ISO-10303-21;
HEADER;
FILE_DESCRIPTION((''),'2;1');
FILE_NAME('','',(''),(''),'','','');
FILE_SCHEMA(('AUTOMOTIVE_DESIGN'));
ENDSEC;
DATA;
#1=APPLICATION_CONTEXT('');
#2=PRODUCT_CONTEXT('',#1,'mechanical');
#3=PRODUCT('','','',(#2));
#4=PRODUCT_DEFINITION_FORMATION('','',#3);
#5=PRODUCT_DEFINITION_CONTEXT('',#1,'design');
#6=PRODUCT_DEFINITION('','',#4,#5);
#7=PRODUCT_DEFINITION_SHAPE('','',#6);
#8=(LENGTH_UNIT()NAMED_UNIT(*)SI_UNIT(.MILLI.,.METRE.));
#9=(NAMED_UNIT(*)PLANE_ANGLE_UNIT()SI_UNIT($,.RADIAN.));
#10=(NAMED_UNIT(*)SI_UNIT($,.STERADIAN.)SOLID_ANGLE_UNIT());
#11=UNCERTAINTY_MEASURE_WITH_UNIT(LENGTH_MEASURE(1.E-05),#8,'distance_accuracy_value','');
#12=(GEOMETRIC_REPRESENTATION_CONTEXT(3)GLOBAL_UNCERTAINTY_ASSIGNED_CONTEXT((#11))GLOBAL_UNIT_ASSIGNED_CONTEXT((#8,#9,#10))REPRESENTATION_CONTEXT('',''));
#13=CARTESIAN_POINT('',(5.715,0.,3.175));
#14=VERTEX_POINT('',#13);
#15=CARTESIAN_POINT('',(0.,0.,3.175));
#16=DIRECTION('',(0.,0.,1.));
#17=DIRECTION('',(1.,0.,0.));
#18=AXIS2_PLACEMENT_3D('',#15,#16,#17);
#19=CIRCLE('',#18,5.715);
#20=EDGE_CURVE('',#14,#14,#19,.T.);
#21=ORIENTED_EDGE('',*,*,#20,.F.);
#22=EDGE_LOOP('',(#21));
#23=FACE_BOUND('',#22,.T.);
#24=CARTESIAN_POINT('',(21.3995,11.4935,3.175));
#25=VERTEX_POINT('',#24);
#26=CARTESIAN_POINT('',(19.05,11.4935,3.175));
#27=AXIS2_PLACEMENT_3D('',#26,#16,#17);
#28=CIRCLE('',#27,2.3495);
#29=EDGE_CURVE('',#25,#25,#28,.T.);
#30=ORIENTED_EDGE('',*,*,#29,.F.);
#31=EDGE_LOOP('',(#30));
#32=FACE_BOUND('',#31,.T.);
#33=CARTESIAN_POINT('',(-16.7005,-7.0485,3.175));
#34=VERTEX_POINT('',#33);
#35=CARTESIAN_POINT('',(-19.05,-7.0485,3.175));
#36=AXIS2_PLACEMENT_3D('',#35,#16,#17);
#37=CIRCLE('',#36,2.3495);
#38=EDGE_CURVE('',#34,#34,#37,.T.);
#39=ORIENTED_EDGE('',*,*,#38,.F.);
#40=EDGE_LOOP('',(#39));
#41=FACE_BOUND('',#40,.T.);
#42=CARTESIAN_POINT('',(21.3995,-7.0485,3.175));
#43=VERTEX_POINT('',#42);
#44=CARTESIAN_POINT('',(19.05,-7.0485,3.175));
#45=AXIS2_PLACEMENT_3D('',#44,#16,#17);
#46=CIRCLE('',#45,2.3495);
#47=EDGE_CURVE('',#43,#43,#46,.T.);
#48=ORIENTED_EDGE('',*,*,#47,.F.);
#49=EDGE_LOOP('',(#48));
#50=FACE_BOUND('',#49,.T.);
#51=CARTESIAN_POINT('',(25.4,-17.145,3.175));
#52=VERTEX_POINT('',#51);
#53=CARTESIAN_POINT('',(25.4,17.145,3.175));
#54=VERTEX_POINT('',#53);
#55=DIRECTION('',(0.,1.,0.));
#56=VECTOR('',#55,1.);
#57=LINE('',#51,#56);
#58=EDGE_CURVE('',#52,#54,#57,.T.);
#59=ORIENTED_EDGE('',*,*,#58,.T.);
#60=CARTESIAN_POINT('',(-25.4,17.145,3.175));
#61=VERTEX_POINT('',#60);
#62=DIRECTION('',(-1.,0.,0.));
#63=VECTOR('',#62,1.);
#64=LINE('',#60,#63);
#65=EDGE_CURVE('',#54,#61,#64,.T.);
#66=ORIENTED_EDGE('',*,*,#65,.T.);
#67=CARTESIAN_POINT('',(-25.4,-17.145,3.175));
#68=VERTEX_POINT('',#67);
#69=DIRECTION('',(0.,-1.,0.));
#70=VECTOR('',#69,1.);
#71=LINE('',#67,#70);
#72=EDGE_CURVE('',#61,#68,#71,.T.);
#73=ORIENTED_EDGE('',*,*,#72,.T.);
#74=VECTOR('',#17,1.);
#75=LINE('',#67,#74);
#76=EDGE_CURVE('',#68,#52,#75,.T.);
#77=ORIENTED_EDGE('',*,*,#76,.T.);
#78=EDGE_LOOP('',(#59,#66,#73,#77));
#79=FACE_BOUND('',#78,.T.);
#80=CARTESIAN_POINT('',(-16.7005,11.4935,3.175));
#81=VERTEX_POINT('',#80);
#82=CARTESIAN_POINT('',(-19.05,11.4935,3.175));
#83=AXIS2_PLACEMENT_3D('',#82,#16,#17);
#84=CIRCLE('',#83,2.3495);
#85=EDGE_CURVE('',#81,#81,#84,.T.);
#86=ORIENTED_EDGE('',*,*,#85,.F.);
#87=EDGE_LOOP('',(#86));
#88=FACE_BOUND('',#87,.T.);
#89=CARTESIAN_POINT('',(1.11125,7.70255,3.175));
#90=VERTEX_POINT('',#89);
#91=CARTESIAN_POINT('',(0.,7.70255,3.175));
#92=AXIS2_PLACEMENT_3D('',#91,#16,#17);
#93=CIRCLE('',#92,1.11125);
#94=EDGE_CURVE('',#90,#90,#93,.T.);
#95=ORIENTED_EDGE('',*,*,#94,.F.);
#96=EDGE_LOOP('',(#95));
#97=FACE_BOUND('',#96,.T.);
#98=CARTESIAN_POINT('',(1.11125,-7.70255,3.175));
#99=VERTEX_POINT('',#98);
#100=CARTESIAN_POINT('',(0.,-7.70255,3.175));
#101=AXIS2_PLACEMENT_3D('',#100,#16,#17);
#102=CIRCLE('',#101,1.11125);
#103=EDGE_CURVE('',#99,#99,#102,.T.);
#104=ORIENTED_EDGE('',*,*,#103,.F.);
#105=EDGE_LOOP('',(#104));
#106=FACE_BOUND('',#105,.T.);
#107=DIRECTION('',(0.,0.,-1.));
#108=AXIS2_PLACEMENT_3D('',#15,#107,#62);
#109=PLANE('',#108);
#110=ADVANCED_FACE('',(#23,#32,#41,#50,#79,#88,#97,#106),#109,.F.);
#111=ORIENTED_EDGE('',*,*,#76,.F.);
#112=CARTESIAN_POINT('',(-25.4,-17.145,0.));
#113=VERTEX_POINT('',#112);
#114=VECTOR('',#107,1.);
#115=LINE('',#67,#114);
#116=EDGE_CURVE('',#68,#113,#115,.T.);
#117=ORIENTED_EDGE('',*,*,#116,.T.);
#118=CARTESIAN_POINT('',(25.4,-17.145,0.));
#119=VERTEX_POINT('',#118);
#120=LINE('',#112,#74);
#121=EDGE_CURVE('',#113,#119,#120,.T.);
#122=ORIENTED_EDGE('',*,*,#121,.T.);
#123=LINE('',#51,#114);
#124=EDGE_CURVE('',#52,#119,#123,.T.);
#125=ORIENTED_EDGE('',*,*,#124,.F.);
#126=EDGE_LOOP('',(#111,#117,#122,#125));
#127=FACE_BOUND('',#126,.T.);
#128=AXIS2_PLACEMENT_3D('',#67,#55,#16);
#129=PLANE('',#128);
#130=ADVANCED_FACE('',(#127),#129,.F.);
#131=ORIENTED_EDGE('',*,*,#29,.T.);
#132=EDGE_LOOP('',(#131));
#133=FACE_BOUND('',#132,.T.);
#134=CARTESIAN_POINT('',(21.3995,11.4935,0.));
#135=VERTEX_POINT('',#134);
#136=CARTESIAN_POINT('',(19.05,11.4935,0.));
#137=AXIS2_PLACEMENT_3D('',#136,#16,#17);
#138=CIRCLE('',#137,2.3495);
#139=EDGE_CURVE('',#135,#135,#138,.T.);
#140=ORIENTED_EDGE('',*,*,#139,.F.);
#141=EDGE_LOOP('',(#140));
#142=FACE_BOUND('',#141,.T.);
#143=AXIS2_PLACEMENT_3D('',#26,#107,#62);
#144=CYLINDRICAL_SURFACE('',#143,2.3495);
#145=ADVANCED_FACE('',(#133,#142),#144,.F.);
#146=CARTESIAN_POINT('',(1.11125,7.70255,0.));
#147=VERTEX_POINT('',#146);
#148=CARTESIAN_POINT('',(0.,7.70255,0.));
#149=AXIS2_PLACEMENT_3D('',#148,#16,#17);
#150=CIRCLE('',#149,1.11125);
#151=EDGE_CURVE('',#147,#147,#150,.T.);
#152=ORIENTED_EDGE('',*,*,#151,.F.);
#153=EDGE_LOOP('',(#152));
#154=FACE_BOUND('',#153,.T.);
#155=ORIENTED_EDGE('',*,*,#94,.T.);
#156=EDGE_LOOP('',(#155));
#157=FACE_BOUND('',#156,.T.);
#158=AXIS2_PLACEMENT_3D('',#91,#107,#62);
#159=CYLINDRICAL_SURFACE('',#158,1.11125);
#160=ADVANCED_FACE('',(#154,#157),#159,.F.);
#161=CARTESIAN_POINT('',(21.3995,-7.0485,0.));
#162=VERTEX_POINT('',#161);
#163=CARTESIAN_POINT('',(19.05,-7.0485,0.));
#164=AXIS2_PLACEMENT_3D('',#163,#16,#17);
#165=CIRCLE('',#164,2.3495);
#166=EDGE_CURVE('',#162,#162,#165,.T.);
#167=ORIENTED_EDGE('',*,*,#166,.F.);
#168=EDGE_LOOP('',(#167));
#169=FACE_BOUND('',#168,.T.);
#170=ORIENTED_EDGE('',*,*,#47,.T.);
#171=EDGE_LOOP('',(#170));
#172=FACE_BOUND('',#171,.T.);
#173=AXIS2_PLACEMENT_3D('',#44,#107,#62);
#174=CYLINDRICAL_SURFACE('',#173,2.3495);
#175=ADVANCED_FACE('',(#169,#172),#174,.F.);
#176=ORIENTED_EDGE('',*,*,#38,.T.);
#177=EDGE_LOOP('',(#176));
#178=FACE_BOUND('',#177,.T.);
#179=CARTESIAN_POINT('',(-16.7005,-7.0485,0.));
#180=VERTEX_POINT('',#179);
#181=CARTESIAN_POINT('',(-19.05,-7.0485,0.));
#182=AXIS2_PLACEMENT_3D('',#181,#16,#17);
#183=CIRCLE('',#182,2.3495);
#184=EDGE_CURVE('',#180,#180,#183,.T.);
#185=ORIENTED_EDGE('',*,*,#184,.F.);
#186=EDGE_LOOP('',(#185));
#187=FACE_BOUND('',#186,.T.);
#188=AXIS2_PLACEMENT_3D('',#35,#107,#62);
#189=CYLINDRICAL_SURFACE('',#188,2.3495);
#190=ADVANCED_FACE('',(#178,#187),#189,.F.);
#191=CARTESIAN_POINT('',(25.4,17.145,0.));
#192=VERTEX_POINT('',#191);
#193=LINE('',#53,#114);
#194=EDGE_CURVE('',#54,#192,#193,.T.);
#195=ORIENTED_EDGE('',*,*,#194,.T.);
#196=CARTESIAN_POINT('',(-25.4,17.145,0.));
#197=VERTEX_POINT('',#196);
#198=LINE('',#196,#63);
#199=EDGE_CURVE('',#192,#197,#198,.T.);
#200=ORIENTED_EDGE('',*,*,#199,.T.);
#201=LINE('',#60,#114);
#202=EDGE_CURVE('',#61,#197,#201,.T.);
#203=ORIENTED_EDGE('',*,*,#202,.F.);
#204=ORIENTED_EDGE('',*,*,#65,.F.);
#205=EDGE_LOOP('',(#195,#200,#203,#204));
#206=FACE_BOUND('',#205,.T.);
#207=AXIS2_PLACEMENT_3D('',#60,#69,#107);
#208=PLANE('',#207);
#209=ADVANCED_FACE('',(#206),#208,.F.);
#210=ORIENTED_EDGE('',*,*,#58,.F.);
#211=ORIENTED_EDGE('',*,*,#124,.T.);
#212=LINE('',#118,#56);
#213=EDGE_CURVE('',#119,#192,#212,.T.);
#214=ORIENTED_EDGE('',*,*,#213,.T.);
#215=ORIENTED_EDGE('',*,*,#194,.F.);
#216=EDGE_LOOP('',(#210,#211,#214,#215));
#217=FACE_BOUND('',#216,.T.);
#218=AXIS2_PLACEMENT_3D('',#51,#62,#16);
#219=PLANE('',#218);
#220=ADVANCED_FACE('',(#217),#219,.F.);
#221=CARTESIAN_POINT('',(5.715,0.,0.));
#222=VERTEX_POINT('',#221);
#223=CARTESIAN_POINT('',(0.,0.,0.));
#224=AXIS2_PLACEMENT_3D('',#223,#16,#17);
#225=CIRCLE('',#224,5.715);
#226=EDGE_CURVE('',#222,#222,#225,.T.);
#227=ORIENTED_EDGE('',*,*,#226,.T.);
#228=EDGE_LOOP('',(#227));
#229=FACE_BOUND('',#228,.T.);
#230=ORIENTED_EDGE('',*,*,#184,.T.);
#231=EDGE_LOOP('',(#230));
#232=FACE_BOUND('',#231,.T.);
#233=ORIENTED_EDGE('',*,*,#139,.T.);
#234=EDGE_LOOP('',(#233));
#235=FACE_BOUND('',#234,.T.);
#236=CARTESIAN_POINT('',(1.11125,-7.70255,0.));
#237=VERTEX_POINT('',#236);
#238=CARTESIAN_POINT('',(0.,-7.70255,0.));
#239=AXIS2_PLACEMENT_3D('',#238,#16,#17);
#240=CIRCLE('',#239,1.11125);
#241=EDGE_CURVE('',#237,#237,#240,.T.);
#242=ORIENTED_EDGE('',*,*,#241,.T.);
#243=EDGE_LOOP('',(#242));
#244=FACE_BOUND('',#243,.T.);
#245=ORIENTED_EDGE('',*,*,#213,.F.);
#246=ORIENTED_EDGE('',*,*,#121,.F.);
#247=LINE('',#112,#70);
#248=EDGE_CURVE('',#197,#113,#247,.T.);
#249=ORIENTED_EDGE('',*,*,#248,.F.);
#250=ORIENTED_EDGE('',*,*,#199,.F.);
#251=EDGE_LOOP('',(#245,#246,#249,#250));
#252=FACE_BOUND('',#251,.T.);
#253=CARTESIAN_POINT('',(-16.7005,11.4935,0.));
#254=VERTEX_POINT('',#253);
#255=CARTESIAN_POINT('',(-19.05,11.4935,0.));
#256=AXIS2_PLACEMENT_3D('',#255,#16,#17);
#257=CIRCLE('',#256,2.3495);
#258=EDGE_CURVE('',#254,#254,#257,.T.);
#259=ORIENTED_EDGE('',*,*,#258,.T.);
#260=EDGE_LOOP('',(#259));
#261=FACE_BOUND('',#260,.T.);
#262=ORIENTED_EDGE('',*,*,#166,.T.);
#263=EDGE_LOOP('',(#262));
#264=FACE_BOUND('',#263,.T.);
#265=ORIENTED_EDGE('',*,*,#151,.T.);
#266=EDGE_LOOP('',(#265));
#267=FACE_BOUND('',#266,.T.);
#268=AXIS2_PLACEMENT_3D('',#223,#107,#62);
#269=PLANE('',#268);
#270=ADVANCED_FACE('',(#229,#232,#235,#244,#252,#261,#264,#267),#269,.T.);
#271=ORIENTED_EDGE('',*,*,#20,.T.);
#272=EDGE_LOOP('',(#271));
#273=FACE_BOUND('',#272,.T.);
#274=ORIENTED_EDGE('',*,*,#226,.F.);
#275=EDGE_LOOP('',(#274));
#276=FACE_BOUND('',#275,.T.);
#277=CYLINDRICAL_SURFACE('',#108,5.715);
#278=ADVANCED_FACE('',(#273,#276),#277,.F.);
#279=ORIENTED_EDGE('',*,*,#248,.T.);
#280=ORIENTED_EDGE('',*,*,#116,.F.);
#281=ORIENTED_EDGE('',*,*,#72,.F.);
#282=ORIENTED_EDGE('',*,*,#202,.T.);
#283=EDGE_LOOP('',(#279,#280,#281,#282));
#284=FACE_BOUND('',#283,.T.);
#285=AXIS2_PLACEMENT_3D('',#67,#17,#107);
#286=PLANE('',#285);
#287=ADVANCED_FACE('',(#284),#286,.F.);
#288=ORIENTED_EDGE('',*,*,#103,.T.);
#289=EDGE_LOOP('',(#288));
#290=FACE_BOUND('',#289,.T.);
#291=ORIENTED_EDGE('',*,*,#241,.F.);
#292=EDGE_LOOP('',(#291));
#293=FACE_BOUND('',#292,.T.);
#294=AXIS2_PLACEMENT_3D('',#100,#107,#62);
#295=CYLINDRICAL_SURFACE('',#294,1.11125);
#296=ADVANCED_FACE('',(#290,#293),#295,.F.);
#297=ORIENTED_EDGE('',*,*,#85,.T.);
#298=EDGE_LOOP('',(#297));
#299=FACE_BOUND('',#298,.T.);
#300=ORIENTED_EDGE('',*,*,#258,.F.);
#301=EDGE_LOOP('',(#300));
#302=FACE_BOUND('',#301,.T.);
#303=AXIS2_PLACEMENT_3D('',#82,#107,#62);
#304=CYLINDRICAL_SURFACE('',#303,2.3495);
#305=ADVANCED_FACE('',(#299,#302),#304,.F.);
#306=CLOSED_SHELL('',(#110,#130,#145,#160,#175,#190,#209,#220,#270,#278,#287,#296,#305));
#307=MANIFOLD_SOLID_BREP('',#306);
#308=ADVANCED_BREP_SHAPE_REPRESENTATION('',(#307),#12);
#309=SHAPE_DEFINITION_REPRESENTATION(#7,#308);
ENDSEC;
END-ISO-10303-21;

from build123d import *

# Parameters (mm, degrees)
SKETCH1_W           = 50.8
SKETCH1_H           = 34.29
SKETCH1_R           = 2.3495
SKETCH1_R_2         = 1.11125
SKETCH1_R_3         = 5.715
BOSS_EXTRUDE1_DEPTH = 3.175


with BuildPart() as part:
    # Sketch1 → Boss-Extrude1 (new body)
    with BuildSketch(Plane.XY):
        Rectangle(SKETCH1_W, SKETCH1_H)
        with Locations((19.05, -7.0485)):
            Circle(SKETCH1_R, mode=Mode.SUBTRACT)
        with Locations((19.05, 11.4935)):
            Circle(SKETCH1_R, mode=Mode.SUBTRACT)
        with Locations((-19.05, 11.4935)):
            Circle(SKETCH1_R, mode=Mode.SUBTRACT)
        with Locations((-19.05, -7.0485)):
            Circle(SKETCH1_R, mode=Mode.SUBTRACT)
        with Locations((0, 7.70255)):
            Circle(SKETCH1_R_2, mode=Mode.SUBTRACT)
        with Locations((0, -7.70255)):
            Circle(SKETCH1_R_2, mode=Mode.SUBTRACT)
        Circle(SKETCH1_R_3, mode=Mode.SUBTRACT)
    extrude(amount=BOSS_EXTRUDE1_DEPTH)


solid = part.part
